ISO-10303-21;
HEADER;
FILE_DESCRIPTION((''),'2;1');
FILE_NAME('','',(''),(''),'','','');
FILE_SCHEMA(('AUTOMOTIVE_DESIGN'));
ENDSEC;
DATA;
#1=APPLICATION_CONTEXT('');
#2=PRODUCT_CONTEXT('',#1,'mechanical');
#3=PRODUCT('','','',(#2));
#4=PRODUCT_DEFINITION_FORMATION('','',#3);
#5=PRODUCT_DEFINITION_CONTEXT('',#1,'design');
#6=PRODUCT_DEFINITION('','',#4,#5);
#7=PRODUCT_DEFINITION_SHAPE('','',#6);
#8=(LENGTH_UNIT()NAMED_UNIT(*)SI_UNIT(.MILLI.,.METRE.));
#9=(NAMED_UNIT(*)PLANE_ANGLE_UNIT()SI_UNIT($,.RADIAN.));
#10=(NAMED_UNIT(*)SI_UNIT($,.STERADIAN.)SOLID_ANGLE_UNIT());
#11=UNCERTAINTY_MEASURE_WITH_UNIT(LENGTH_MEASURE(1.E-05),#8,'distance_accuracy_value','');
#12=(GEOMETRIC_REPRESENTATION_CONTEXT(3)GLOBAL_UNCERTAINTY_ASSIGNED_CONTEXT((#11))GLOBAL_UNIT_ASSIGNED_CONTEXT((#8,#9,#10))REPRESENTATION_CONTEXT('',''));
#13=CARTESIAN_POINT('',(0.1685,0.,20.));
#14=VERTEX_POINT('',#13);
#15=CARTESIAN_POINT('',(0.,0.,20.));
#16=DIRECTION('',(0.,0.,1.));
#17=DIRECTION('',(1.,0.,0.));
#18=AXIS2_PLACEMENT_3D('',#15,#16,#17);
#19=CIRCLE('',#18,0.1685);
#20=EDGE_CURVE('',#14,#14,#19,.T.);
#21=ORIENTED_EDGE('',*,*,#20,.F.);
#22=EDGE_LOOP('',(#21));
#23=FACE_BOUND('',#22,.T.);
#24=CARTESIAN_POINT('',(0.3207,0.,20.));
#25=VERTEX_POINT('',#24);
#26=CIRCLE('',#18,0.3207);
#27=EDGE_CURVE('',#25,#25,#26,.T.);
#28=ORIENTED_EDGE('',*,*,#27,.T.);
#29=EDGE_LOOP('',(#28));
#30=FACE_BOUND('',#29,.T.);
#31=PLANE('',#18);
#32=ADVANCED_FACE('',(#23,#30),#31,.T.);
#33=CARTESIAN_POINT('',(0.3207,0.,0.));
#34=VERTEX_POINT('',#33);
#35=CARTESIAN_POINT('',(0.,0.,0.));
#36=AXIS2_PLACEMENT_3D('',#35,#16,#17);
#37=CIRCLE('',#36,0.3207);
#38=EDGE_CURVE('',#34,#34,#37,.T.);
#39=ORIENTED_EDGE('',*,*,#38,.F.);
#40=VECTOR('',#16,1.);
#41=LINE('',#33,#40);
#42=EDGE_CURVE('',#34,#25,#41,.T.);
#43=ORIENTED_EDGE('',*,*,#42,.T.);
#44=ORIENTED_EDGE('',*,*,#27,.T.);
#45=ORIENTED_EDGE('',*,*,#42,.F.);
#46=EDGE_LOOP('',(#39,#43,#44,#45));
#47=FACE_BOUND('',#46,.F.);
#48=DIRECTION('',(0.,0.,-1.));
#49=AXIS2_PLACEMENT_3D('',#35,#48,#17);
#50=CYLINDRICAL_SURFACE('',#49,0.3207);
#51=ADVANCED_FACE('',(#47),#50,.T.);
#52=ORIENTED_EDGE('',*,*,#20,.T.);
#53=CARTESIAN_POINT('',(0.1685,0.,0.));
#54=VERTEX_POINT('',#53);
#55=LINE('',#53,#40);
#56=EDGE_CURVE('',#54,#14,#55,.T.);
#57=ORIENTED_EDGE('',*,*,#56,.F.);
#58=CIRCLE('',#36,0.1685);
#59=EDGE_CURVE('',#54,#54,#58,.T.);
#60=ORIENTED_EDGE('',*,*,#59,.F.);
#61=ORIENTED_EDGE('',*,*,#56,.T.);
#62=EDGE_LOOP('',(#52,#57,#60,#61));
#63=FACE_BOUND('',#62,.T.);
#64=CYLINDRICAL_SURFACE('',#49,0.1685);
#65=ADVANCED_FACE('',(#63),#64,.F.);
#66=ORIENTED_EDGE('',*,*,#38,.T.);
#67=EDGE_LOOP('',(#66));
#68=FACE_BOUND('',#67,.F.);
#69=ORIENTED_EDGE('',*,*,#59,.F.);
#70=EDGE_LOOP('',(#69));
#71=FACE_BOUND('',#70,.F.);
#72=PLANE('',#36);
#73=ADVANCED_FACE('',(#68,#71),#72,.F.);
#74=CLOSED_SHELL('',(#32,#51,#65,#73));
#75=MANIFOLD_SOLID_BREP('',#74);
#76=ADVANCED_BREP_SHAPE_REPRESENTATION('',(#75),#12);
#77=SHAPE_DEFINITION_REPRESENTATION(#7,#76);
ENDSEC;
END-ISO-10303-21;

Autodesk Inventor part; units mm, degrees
ref_plane "YZ Plane" through (0, 0, 0) normal (1, 0, 0) x (0, 1, 0)
ref_plane "XZ Plane" through (0, 0, 0) normal (0, 1, 0) x (-1, 0, 0)
ref_plane "XY Plane" through (0, 0, 0) normal (0, 0, 1) x (1, 0, 0)
sketch "Sketch1" plane through (0, 0, 0) normal (0, 0, 1) x (1, 0, 0)
  circle A0 centre (0, 0) radius 0.3207
  circle A1 centre (0, 0) radius 0.1685
  dimension "d0" = 0.6414
  dimension "d1" = 0.337
extrude "Extrusion1" add sketch "Sketch1" along normal blind 20
properties part number "23G_Holder"
